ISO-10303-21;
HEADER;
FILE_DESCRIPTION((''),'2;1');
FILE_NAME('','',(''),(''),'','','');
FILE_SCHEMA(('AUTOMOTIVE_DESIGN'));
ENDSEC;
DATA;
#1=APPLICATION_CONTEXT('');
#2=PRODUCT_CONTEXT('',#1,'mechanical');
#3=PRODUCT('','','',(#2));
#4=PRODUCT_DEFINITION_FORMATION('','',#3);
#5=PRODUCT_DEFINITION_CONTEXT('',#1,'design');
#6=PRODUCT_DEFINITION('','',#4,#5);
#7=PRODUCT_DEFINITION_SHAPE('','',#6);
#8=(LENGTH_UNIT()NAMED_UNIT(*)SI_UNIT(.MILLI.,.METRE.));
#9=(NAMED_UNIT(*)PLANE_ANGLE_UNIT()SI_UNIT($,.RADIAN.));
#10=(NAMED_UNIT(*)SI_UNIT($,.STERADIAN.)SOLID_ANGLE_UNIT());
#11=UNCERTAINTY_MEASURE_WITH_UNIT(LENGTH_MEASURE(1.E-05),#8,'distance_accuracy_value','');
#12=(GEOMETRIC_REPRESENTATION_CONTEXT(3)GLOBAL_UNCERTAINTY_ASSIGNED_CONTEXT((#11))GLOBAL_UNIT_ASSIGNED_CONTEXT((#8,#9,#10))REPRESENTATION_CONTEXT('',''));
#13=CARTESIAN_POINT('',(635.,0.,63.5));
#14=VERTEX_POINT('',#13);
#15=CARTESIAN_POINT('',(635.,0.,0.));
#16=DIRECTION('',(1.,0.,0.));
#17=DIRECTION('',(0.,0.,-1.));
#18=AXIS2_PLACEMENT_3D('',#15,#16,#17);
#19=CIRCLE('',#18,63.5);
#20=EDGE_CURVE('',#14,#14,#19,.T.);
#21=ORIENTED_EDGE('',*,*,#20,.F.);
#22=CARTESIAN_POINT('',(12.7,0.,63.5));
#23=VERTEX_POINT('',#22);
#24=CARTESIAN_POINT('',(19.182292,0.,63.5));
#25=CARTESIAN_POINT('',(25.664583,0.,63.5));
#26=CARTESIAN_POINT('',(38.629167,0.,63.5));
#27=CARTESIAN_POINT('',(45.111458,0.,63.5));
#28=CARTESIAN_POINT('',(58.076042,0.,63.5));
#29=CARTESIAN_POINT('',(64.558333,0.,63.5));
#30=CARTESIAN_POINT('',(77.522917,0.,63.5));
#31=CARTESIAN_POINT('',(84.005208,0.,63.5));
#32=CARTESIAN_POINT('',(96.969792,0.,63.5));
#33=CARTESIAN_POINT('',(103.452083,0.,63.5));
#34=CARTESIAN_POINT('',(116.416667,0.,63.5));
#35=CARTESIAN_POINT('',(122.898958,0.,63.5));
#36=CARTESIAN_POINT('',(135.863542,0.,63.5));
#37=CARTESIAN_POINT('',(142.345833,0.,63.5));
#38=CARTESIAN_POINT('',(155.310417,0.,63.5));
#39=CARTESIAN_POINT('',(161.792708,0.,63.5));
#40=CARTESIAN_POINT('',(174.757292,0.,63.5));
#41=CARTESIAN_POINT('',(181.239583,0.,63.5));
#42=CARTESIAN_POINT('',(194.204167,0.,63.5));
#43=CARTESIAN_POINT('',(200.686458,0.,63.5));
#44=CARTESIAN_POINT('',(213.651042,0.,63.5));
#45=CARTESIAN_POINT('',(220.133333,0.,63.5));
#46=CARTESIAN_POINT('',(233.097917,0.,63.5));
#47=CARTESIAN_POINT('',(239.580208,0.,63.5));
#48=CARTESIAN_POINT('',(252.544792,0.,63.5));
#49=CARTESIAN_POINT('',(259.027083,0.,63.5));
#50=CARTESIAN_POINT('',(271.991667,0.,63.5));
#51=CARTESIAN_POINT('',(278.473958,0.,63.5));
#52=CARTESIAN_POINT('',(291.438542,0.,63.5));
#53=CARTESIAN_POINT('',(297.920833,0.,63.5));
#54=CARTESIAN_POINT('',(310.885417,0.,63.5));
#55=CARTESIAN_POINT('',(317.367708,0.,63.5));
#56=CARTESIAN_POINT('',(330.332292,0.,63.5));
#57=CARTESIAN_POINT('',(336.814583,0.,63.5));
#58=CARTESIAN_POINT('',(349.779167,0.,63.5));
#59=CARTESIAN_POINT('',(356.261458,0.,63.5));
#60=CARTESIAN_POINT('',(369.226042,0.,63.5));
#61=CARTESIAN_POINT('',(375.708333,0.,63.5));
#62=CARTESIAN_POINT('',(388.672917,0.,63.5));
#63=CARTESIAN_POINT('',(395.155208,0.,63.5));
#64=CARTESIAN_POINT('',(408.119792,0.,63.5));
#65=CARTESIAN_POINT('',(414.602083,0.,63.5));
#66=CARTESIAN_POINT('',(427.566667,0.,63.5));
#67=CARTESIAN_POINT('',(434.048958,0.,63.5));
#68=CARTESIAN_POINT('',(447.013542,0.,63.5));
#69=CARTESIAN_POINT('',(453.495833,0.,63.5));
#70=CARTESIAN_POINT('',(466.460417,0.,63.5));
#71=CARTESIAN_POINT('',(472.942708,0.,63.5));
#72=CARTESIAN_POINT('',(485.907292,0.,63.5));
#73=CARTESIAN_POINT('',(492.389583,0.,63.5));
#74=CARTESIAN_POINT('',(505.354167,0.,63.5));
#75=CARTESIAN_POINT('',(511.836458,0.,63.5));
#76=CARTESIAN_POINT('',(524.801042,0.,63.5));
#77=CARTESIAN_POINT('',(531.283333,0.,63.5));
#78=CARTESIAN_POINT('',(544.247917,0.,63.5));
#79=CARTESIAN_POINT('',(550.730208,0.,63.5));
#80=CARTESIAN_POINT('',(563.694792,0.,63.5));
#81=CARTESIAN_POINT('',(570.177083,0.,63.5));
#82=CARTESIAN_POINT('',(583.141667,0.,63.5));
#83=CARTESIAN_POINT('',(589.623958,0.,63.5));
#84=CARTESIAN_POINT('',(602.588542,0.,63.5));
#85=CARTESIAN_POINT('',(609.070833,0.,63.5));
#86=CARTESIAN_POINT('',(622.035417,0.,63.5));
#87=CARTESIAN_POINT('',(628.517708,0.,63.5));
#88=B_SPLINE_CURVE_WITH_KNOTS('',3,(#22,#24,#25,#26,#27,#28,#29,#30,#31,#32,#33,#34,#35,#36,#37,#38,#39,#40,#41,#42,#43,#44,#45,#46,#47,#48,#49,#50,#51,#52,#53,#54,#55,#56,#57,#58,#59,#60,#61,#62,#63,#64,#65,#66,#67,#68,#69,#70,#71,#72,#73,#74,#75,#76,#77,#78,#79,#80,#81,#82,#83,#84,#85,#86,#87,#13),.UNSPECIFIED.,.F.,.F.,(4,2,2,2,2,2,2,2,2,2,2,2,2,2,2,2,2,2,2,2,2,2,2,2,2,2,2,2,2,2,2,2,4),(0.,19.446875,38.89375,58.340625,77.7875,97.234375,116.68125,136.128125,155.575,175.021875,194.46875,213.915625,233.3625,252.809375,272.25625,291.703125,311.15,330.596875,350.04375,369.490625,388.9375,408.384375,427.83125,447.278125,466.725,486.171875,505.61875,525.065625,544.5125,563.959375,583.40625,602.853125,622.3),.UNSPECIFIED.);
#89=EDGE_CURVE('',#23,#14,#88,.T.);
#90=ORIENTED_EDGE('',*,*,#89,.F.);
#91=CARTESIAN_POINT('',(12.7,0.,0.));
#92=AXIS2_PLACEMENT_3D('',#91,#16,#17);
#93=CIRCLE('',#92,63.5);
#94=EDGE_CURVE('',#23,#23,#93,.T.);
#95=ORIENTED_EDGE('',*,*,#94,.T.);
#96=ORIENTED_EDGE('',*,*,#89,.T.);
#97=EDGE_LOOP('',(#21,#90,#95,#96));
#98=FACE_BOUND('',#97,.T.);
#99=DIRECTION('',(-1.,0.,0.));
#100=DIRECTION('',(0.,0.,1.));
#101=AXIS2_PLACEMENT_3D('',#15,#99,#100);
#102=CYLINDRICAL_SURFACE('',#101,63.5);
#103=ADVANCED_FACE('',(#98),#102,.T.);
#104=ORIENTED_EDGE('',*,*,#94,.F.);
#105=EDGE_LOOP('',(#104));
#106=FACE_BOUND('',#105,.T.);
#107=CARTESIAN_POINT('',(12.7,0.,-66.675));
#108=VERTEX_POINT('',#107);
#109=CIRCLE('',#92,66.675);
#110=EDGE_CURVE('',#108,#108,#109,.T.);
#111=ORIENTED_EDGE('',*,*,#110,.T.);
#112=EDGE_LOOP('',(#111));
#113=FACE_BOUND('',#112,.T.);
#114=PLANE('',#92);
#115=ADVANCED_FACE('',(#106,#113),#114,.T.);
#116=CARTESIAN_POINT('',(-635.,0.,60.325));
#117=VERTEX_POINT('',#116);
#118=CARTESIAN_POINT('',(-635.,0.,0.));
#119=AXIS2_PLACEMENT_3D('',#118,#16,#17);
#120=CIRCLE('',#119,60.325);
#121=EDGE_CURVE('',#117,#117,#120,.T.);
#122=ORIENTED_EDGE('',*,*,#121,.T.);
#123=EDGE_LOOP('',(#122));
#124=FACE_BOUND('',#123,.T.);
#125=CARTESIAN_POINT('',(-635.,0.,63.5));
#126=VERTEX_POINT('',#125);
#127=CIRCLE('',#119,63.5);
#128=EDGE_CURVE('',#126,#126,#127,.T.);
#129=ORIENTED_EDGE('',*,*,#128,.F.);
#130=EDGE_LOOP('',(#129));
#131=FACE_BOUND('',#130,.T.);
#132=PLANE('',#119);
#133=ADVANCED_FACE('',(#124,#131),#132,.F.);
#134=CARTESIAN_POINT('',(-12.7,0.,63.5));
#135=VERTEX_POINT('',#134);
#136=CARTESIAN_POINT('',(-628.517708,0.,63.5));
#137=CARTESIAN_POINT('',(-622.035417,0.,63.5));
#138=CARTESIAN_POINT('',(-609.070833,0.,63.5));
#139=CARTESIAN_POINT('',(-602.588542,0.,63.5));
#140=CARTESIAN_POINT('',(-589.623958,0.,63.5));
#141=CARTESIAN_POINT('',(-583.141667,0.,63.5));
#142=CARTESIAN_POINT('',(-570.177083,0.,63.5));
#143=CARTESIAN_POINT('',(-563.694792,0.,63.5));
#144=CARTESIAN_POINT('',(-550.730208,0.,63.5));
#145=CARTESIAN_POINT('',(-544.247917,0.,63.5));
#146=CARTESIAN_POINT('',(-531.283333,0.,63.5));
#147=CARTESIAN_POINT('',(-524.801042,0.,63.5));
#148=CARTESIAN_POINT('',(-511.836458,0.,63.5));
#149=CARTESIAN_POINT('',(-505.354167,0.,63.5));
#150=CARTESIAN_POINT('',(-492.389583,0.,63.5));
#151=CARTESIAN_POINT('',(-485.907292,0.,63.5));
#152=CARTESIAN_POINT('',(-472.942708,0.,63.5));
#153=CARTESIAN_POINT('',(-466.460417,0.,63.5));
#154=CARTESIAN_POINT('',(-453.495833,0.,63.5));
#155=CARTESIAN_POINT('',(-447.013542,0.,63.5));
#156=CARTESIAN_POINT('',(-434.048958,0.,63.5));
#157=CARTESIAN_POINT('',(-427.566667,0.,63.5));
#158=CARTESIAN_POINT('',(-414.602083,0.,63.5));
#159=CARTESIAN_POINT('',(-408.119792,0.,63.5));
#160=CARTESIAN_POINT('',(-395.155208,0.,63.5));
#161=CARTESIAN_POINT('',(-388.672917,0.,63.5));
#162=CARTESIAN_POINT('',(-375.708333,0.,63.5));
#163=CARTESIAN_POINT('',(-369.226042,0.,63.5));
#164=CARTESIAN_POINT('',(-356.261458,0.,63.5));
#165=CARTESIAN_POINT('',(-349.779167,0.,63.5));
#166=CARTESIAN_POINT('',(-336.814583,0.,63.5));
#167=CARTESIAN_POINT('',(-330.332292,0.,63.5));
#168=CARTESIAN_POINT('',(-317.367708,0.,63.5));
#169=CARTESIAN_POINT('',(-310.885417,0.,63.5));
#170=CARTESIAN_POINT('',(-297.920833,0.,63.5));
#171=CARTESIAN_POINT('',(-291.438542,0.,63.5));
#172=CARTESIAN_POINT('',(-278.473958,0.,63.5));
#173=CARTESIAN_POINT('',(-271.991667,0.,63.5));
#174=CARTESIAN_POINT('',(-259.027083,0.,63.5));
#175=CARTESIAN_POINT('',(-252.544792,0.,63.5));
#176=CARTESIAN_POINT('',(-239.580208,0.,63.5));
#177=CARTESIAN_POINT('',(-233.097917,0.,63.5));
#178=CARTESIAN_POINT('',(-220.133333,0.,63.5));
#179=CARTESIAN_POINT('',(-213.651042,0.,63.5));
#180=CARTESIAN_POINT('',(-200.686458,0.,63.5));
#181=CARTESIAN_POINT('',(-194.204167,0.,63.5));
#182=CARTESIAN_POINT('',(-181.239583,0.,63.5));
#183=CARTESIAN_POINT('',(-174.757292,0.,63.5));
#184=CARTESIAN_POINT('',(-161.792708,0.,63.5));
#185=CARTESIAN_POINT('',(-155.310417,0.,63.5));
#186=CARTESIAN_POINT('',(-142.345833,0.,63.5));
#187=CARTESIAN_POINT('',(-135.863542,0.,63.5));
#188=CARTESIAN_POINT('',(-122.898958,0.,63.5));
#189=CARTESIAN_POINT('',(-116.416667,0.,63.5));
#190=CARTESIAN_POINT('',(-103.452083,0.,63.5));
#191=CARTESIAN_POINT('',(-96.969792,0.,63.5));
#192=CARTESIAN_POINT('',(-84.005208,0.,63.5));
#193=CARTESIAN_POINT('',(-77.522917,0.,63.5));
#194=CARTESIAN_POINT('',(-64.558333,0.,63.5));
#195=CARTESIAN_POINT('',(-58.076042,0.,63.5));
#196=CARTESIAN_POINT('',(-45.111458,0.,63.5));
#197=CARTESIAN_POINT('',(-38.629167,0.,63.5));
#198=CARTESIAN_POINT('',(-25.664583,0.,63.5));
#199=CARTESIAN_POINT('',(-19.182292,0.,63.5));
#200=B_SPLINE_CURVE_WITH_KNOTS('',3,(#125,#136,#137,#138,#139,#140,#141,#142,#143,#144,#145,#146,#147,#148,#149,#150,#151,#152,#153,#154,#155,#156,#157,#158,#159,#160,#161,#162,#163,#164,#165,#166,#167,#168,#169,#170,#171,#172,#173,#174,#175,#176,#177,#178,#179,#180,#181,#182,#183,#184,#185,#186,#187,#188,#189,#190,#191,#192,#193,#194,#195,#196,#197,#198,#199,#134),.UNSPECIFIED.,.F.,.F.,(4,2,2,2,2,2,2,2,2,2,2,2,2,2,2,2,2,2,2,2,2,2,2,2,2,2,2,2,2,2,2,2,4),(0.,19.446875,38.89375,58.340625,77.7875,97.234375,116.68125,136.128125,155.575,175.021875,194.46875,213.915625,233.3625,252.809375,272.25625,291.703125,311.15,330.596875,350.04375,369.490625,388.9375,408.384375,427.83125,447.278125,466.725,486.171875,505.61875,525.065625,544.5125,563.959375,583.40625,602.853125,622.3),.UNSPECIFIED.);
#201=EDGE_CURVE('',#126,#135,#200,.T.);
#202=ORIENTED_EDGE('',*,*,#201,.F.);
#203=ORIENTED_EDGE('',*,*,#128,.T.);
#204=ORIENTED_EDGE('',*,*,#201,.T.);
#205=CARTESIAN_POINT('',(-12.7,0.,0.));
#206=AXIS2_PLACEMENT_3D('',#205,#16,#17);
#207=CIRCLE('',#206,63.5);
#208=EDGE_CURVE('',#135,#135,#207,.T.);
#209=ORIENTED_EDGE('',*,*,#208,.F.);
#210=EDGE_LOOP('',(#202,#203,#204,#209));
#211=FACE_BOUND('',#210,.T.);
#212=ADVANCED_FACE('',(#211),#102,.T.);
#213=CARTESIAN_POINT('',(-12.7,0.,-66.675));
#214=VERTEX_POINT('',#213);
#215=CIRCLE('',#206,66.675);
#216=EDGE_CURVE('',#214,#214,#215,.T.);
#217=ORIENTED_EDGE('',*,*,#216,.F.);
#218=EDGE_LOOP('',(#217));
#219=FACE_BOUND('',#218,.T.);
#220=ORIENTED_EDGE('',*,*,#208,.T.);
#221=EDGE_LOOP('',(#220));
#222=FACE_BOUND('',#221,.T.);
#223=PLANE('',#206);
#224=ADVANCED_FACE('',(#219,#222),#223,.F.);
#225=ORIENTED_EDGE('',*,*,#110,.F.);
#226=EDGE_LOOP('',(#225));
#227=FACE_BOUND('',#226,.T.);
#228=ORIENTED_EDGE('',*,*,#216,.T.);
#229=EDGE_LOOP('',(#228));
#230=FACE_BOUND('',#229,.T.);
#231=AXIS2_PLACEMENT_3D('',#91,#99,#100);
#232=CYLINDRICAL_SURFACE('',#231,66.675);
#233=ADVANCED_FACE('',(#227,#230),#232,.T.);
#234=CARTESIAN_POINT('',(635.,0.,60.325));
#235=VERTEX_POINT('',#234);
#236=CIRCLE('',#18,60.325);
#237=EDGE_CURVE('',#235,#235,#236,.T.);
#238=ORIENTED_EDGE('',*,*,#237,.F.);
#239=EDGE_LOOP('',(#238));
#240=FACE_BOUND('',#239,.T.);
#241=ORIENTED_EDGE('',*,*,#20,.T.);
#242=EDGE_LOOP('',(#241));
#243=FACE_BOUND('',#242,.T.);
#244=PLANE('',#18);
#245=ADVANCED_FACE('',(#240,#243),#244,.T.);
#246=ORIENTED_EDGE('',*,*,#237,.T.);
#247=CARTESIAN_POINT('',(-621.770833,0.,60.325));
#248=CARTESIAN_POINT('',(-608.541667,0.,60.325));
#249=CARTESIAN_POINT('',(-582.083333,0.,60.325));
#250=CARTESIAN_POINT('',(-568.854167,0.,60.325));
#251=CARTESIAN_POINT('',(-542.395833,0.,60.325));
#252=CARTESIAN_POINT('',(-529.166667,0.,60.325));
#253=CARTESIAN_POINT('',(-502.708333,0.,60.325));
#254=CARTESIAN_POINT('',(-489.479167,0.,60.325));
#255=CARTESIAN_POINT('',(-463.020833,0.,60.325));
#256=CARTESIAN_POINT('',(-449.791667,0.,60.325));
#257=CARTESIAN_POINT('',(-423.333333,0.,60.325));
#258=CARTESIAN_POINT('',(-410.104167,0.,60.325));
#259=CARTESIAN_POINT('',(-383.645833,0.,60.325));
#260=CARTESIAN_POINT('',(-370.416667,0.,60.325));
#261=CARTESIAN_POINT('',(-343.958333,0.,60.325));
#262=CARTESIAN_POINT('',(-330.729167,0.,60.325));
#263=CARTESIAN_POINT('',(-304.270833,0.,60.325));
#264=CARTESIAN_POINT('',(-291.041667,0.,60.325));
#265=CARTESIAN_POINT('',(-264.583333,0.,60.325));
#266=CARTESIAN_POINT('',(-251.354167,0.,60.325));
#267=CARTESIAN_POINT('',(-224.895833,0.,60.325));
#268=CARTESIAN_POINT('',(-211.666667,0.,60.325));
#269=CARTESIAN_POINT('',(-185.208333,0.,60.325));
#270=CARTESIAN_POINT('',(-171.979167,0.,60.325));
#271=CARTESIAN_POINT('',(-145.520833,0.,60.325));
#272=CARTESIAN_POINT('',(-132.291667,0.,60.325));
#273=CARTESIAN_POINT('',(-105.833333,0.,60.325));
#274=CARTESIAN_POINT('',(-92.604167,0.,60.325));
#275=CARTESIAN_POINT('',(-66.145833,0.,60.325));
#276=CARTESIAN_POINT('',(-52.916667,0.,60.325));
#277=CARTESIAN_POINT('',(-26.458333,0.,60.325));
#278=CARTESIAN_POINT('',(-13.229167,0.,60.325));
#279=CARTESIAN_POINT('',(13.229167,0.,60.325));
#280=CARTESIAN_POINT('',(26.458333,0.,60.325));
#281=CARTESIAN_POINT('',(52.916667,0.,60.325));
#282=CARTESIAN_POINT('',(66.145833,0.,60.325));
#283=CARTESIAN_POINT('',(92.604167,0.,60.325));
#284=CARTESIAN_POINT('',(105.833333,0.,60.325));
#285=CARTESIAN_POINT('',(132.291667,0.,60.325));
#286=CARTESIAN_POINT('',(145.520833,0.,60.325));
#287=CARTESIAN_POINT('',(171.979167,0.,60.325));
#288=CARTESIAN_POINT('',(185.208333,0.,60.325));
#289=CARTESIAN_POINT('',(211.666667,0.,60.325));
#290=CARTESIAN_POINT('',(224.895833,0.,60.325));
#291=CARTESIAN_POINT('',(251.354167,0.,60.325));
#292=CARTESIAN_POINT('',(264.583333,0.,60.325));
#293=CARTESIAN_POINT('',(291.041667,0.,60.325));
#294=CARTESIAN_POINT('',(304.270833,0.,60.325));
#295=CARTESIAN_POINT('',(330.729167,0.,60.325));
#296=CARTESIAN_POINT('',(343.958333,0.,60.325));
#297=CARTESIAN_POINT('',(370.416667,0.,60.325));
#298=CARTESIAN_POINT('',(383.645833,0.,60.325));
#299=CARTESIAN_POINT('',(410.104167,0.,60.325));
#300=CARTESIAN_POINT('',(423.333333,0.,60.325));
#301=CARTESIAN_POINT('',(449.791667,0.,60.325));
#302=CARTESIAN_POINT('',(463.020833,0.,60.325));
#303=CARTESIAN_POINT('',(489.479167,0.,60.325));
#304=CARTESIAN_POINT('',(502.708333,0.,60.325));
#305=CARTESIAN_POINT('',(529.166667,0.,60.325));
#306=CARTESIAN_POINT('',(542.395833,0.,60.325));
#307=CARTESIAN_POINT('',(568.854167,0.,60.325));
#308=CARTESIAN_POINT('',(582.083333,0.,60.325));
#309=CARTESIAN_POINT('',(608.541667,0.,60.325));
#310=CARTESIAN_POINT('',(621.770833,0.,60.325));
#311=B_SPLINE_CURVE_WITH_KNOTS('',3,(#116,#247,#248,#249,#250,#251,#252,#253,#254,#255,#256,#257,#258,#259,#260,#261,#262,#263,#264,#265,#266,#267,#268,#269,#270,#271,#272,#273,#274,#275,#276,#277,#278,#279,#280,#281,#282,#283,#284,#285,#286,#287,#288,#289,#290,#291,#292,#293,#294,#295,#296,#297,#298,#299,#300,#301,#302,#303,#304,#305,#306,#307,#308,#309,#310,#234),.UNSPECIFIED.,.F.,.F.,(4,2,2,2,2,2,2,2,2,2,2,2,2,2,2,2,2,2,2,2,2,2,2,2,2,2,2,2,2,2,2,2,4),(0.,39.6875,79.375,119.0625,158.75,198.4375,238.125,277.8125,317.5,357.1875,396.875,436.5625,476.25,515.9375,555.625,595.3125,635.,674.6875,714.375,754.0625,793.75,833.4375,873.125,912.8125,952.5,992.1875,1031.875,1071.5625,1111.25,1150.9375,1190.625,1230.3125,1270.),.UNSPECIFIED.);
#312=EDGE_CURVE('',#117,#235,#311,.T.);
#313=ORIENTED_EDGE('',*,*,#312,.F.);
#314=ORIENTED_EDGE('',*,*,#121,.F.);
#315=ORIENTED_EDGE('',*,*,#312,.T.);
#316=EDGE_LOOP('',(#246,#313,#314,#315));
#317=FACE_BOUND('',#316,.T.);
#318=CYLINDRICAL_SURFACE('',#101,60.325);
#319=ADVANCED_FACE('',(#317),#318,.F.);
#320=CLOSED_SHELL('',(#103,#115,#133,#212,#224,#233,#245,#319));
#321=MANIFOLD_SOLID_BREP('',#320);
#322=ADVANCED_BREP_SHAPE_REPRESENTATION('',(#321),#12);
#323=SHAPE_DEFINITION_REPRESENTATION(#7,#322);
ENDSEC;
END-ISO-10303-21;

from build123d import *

# Parameters (mm, degrees)
SKETCH1_R           = 63.5
SKETCH1_R_2         = 60.325
BOSS_EXTRUDE1_DEPTH = 635
SKETCH3_R           = 66.675
BOSS_EXTRUDE3_DEPTH = 12.7
SKETCH13_R          = 60.325
CUT_EXTRUDE2_DEPTH  = 72.39


with BuildPart() as part:
    # Sketch1 → Boss-Extrude1 (new, symmetric)
    with BuildSketch(Plane(origin=(0, 0, 0), x_dir=(0, 0, -1), z_dir=(1, 0, 0))):
        with Locations(Location((0, 0, 0), (0, 0, 180))):
            Circle(SKETCH1_R)
        with Locations(Location((0, 0, 0), (0, 0, 180))):
            Circle(SKETCH1_R_2, mode=Mode.SUBTRACT)
    extrude(amount=BOSS_EXTRUDE1_DEPTH, both=True)

    # Sketch3 → Boss-Extrude3 (add, symmetric)
    with BuildSketch(Plane(origin=(0, 0, 0), x_dir=(0, 0, -1), z_dir=(1, 0, 0))):
        Circle(SKETCH3_R)
    extrude(amount=BOSS_EXTRUDE3_DEPTH, both=True)

    # Sketch13 → Cut-Extrude2 (cut, symmetric)
    with BuildSketch(Plane.ZY.offset(12.7)):
        Circle(SKETCH13_R)
    extrude(amount=CUT_EXTRUDE2_DEPTH, both=True, mode=Mode.SUBTRACT)


solid = part.part
